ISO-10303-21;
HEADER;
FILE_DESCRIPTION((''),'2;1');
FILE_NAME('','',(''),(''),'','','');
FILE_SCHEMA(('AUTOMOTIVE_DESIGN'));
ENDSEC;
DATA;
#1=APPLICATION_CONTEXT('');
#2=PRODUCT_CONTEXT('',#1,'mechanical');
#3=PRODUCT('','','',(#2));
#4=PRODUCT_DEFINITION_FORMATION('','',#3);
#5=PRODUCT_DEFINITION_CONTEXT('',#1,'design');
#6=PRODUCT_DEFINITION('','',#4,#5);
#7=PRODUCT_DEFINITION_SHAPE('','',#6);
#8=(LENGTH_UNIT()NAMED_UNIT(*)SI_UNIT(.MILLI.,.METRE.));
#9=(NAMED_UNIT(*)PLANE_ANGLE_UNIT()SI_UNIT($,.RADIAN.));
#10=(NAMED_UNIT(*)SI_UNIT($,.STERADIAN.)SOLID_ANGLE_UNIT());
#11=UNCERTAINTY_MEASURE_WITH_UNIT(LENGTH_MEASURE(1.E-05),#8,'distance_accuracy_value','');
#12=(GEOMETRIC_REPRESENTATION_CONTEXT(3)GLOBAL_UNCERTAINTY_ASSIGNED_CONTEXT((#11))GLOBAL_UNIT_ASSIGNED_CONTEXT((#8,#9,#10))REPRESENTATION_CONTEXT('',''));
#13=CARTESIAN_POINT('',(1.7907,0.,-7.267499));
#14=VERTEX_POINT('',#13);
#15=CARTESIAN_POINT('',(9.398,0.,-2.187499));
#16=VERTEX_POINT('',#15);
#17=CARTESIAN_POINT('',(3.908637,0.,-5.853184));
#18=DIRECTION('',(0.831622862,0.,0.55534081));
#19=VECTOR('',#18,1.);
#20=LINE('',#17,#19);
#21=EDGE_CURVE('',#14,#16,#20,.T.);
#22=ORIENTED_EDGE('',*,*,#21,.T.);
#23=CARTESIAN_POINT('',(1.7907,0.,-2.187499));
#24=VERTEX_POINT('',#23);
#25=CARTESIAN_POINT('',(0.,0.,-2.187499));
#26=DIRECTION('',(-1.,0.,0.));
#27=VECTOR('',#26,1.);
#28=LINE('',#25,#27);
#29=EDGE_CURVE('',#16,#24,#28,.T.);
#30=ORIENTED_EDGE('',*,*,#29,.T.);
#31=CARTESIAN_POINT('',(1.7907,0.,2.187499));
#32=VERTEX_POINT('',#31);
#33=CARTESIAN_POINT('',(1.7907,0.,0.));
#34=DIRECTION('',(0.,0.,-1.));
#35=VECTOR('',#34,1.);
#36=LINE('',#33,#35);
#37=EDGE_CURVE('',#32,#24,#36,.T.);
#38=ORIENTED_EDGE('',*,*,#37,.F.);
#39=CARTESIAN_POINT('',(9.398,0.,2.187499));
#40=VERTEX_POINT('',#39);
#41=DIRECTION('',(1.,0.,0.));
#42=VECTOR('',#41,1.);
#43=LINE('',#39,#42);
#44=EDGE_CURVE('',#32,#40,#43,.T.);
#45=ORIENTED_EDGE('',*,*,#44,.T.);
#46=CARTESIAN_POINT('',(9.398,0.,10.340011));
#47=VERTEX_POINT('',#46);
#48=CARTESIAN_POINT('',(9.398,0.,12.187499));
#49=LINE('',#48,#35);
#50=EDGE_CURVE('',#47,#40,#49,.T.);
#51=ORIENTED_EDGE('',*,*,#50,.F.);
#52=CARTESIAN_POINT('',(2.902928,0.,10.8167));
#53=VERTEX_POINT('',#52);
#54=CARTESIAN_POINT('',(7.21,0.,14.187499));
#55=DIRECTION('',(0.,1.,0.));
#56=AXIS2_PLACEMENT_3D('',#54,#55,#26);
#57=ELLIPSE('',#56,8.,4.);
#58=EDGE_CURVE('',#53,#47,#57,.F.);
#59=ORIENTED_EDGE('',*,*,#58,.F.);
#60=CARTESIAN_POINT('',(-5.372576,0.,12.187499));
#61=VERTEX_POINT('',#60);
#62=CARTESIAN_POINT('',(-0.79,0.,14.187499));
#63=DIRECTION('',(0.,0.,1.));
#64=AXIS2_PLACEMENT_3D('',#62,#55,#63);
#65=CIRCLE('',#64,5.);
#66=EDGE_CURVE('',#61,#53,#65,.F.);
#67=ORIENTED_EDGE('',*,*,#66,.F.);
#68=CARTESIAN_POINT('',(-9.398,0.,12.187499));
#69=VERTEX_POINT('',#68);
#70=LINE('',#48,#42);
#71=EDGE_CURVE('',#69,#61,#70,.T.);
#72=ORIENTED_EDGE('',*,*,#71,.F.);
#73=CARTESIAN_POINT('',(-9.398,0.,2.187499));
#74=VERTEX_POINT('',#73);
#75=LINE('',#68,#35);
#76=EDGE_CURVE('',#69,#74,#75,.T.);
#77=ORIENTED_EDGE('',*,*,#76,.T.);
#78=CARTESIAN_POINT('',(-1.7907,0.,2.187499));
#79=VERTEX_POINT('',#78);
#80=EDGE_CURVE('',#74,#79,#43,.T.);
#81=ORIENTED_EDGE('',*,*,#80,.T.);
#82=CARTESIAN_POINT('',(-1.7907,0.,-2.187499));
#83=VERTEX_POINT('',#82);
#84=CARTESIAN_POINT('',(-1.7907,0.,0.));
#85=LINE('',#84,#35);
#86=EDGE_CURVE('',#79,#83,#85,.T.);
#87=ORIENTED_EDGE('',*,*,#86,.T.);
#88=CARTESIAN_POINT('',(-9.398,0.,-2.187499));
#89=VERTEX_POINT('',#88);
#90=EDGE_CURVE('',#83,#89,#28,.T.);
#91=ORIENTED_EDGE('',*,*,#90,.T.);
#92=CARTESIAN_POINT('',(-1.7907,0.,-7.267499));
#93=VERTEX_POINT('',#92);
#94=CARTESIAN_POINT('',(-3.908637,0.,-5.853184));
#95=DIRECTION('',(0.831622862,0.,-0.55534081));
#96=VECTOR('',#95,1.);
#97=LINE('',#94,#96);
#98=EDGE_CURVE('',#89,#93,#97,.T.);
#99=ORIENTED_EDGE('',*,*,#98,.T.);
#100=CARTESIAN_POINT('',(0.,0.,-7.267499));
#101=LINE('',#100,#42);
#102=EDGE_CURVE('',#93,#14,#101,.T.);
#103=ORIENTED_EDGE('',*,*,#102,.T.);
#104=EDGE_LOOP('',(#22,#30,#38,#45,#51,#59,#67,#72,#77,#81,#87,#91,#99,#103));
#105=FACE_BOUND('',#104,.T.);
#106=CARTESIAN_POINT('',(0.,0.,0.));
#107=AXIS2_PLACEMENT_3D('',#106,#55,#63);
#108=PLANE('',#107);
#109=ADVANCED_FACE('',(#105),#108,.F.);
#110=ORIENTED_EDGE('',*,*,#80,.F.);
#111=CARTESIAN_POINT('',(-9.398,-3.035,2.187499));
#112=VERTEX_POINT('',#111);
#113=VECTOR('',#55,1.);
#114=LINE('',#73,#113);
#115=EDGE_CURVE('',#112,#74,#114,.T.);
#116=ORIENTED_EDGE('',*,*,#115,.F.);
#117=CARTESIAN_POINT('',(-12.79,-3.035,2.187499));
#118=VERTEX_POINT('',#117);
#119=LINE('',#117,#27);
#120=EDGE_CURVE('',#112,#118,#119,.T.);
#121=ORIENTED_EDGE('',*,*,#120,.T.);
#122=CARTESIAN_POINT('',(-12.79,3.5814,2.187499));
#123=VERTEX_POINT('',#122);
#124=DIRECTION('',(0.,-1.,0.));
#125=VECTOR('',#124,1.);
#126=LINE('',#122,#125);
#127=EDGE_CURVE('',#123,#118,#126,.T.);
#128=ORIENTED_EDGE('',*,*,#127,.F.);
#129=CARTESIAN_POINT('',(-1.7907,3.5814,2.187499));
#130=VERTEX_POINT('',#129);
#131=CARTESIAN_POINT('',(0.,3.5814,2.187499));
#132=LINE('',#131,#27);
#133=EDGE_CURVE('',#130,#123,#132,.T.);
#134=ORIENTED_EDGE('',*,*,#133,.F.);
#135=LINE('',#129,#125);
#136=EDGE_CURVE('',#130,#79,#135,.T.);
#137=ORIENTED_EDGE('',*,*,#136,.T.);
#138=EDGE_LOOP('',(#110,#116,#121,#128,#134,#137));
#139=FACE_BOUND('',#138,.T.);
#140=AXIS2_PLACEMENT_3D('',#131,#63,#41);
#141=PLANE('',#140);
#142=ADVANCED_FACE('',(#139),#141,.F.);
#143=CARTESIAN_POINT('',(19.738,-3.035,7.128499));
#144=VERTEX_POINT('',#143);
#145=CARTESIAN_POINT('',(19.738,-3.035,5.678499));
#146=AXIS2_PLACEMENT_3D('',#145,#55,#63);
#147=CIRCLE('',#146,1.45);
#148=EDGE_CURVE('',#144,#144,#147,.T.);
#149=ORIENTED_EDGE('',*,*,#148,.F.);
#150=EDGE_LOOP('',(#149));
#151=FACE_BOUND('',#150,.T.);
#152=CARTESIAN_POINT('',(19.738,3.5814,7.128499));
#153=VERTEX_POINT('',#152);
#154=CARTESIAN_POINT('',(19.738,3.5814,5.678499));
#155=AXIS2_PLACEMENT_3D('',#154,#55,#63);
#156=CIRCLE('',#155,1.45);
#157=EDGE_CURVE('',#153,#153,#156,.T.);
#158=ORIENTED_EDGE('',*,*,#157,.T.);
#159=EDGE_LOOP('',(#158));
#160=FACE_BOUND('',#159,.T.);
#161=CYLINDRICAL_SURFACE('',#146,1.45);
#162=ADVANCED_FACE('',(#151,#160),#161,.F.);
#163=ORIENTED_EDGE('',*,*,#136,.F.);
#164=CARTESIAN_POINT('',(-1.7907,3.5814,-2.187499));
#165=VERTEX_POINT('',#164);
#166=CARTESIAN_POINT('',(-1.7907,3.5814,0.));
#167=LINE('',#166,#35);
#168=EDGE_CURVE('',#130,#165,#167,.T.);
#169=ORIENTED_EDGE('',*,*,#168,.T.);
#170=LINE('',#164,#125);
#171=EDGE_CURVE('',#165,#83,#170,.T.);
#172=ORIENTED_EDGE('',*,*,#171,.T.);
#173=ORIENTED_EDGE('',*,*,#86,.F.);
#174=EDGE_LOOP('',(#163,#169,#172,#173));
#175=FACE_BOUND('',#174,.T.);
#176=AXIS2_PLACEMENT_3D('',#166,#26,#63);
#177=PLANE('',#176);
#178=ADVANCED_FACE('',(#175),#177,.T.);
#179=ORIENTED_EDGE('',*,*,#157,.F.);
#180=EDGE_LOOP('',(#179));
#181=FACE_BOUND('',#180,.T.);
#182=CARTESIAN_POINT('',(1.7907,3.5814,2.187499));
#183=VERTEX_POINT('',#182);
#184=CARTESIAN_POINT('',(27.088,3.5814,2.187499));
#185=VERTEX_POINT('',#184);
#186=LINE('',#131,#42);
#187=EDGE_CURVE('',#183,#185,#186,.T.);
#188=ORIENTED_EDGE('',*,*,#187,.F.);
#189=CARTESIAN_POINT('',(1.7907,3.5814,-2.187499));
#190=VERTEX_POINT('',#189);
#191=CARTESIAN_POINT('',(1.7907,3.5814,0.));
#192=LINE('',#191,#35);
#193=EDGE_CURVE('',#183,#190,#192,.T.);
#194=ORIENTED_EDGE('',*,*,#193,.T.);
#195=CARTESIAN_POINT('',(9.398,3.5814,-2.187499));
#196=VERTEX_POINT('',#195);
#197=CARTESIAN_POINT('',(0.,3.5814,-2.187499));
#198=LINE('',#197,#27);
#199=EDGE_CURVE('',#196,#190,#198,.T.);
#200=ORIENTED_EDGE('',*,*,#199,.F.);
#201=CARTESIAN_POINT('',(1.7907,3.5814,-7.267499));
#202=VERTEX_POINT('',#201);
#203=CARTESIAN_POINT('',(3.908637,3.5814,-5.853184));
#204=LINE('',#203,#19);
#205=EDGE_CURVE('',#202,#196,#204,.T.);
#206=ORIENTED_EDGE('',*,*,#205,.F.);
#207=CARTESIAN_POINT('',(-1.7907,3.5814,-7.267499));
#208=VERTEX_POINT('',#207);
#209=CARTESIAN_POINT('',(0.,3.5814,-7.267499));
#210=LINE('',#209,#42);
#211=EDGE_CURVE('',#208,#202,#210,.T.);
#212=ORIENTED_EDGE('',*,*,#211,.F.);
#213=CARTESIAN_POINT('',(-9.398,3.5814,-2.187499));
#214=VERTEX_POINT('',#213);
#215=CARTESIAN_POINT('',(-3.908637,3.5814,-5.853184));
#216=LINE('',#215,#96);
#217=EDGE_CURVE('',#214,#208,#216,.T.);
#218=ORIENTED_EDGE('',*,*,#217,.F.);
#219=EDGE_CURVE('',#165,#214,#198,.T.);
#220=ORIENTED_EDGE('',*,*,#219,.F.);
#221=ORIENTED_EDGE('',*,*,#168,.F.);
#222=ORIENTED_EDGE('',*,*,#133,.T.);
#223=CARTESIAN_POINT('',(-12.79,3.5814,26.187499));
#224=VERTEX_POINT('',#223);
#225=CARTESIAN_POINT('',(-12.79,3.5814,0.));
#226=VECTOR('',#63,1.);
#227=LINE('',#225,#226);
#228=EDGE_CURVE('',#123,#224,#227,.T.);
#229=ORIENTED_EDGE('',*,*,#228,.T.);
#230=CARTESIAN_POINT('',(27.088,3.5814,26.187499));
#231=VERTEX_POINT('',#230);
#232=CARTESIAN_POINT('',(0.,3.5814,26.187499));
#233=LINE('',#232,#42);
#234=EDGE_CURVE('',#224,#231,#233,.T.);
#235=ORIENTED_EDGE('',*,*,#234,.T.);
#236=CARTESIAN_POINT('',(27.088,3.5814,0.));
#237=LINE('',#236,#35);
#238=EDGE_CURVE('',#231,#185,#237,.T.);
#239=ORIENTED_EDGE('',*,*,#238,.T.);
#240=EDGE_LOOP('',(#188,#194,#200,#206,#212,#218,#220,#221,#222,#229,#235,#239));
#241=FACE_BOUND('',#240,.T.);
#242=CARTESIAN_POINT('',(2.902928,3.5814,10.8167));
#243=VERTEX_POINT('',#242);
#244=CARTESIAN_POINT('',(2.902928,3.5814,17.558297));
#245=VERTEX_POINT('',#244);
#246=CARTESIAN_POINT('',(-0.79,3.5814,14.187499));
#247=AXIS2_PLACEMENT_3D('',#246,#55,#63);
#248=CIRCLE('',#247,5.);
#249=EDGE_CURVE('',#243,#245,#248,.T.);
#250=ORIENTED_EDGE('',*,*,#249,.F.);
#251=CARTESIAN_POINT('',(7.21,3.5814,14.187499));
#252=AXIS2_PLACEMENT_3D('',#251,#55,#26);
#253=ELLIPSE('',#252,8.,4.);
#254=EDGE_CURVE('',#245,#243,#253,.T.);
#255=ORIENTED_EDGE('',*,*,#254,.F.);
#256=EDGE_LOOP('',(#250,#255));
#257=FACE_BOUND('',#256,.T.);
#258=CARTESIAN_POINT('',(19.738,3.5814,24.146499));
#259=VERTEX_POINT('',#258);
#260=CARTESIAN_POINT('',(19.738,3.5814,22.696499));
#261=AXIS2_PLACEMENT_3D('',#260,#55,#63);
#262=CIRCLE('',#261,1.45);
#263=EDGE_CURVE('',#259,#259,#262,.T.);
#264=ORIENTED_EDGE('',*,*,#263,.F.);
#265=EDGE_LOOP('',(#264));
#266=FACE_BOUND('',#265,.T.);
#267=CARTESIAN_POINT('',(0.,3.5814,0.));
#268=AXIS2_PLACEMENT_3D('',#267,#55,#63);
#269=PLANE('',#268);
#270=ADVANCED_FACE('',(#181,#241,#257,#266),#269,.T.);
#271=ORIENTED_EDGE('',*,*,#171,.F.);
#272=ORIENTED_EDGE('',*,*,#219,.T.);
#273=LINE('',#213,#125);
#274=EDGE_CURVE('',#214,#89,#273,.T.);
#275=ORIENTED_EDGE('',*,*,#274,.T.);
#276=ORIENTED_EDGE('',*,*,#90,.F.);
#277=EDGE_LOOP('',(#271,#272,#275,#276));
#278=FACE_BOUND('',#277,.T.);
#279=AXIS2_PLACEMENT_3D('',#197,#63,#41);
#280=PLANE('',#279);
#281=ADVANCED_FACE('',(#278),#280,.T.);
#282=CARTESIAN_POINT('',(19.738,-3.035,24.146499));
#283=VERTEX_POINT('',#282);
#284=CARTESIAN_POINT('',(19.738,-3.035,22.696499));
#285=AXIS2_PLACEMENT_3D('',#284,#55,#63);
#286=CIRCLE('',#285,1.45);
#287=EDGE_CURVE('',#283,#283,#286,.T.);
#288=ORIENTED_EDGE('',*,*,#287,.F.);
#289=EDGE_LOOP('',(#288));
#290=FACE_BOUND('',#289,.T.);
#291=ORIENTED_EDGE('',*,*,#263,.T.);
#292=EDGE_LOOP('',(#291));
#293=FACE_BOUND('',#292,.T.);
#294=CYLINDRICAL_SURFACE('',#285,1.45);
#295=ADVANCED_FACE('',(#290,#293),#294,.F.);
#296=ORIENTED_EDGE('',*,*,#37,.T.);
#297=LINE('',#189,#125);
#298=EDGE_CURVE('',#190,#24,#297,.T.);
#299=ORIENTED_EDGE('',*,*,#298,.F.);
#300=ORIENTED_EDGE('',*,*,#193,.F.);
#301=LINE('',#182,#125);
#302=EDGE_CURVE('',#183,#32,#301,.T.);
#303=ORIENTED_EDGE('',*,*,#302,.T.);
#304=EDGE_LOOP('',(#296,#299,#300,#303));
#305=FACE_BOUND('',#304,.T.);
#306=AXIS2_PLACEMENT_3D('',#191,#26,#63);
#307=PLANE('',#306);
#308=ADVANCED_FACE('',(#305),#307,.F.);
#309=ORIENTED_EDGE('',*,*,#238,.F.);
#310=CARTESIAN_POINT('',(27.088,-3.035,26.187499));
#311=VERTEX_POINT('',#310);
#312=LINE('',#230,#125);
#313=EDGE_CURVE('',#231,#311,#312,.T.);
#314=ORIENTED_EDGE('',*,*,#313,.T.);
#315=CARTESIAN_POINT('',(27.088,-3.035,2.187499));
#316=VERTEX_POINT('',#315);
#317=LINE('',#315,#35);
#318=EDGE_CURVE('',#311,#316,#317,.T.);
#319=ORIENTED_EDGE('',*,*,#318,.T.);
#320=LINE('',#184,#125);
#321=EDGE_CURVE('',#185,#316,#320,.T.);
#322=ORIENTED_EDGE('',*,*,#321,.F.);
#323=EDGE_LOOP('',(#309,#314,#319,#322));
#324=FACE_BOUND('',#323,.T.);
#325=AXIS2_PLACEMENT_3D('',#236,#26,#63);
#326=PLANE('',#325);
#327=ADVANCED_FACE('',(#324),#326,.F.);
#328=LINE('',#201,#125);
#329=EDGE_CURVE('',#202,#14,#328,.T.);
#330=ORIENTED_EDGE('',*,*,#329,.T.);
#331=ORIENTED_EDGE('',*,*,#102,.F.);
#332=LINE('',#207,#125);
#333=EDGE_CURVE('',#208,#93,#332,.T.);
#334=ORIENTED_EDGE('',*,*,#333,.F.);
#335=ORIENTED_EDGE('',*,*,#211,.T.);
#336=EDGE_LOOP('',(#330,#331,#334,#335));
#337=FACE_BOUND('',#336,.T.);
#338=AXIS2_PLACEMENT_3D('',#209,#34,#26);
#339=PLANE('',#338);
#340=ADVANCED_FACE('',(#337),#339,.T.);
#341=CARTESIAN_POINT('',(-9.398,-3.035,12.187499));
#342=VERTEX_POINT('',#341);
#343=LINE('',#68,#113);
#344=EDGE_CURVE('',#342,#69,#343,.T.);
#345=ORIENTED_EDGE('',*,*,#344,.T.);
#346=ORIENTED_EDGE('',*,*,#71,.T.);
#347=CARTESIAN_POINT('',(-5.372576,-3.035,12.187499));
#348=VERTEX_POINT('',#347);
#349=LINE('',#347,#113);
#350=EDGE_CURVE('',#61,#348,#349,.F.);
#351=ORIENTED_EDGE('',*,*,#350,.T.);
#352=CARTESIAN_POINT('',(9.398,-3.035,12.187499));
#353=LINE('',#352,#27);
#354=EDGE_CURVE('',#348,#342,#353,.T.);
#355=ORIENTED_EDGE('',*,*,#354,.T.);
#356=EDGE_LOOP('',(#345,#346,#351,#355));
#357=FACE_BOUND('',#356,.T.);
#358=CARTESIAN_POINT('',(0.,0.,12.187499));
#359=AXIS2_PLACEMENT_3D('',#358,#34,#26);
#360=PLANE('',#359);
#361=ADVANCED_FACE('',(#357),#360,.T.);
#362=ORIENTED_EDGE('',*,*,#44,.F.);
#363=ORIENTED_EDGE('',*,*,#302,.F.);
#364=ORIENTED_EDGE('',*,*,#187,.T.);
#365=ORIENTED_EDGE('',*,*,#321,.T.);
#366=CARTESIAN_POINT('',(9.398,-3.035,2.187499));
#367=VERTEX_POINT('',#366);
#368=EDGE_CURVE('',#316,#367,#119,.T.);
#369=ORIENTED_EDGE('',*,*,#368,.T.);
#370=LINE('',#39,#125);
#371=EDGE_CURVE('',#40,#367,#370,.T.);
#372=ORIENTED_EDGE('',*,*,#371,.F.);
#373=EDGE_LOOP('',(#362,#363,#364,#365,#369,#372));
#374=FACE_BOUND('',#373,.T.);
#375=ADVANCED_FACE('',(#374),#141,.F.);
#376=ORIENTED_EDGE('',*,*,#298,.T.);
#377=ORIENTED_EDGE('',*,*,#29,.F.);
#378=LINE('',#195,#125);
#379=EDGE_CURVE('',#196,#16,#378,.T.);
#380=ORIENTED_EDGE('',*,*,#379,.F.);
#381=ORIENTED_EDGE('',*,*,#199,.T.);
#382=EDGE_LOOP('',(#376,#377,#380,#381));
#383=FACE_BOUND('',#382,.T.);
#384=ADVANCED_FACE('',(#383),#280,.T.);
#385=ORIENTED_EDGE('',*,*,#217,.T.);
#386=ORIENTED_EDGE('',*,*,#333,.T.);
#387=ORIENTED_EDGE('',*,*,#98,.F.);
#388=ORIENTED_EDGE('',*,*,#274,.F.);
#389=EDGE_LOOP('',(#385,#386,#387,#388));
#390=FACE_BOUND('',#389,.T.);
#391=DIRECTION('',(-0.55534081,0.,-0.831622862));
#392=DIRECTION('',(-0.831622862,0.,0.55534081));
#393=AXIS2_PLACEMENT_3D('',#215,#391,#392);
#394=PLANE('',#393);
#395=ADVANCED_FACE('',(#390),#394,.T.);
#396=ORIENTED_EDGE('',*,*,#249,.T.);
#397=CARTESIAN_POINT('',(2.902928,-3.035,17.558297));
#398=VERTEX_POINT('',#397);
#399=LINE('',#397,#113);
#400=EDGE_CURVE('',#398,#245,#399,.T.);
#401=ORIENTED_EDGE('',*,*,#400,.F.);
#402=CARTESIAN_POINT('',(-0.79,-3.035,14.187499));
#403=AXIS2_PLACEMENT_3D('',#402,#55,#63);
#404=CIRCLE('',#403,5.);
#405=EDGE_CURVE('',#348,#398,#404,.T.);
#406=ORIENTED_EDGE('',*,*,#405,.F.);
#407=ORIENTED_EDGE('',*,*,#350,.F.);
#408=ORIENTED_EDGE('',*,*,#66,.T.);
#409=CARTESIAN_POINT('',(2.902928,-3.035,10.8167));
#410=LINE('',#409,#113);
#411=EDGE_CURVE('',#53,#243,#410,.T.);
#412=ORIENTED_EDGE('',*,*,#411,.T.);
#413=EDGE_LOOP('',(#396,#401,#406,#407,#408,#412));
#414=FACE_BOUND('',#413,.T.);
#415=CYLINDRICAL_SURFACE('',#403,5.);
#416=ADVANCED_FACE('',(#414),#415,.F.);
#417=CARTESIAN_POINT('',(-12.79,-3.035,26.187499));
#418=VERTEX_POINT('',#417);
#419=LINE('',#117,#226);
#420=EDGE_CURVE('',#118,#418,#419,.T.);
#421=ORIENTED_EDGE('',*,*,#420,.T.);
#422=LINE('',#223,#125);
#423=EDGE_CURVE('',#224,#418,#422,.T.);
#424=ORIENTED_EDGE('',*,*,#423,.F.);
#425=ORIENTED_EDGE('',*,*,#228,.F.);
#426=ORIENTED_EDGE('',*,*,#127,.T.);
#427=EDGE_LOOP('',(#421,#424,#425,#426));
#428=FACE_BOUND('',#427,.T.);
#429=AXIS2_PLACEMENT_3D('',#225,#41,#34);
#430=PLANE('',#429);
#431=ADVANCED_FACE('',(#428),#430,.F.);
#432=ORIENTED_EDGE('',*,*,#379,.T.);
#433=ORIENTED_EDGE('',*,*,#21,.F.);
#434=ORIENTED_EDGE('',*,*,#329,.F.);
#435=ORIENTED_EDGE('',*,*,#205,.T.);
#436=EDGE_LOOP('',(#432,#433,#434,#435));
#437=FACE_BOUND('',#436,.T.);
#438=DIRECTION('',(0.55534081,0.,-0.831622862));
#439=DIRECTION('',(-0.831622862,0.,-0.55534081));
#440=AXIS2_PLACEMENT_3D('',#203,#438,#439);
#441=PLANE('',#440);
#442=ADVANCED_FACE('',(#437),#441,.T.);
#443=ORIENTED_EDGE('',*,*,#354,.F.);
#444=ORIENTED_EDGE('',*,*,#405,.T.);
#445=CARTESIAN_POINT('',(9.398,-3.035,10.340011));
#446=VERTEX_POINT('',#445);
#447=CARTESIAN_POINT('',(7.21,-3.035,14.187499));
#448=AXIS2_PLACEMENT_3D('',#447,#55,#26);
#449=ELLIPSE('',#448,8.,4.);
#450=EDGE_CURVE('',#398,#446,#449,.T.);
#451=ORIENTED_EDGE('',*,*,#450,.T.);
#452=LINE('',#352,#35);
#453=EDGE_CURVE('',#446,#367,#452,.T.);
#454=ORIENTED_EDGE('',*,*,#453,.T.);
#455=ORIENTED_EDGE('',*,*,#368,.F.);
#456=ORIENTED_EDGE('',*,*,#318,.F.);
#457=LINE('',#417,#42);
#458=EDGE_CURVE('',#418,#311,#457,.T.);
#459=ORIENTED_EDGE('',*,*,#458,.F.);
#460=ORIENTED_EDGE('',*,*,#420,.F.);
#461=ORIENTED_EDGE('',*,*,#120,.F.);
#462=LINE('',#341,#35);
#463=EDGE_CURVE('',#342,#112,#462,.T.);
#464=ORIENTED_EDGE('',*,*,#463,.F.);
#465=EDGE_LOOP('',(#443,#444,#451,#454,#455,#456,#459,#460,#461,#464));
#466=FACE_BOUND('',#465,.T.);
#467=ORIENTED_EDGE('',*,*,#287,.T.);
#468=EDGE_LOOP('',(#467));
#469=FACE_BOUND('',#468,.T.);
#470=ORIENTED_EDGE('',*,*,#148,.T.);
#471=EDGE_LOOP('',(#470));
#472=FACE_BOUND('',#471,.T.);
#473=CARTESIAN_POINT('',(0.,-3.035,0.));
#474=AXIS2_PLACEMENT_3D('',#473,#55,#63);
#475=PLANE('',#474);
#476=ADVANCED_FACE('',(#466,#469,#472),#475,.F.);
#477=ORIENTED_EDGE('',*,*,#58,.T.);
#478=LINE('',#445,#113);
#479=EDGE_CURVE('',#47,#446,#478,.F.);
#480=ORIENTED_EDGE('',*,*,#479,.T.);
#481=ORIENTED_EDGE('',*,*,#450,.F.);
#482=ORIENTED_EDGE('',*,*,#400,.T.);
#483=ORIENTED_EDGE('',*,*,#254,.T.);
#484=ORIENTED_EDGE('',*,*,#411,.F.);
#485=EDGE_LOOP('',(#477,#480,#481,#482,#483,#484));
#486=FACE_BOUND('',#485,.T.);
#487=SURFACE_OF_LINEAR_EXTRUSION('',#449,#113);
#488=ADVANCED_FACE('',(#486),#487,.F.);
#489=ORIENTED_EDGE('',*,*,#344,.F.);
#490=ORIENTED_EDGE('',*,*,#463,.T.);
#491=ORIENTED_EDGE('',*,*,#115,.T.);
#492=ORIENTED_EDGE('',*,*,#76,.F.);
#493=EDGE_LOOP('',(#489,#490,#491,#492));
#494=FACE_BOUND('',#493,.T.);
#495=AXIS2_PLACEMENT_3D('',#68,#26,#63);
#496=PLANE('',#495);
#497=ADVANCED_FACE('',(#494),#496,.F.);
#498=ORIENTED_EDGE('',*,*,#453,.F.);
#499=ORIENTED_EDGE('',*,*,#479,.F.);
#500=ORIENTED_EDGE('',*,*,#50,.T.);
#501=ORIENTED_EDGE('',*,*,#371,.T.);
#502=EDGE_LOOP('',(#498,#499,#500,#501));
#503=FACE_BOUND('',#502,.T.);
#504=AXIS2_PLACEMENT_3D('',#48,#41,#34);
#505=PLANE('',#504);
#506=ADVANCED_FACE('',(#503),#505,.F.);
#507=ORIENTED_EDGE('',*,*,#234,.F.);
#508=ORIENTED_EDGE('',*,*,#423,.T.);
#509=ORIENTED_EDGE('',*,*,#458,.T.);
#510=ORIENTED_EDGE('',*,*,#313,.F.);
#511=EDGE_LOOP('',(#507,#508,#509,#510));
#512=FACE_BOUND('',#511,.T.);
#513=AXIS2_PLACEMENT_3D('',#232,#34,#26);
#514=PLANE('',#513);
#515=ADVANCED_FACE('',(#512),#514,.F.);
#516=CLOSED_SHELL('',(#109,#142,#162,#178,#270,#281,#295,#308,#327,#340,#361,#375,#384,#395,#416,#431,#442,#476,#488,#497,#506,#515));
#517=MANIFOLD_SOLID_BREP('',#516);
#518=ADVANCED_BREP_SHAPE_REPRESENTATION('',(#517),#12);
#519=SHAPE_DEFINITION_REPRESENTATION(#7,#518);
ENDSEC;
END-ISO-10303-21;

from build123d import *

# Parameters (mm, degrees)
BOSS_EXTRUDE1_DEPTH      = 3.5814
SKETCH7_W                = 39.878
SKETCH7_H                = 24
BOSS_EXTRUDE2_DEPTH      = 3.035
BOSS_EXTRUDE2_DEPTH_BACK = 3.035
SKETCH5_R                = 5
SKETCH5_R_2              = 1.45
SKETCH5_RX               = 8
SKETCH5_RY               = 4
CUT_EXTRUDE3_DEPTH       = 1
CUT_EXTRUDE3_DEPTH_BACK  = 7.6164
SKETCH8_W                = 18.796
SKETCH8_H                = 3.035
CUT_EXTRUDE4_DEPTH       = 10


with BuildPart() as part:
    # Sketch1 → Boss-Extrude1 (new body)
    with BuildSketch(Plane(origin=(0, 0, 0), x_dir=(1, 0, 0), z_dir=(0, 1, 0))):
        Polygon((-12.79, -26.1874988), (27.088, -26.1874988), (27.088, -2.1874988), (1.7907, -2.1874988), (1.7907, 2.1874988), (9.398, 2.1874988), (1.7907, 7.2674988), (-1.7907, 7.2674988), (-9.398, 2.1874988), (-1.7907, 2.1874988), (-1.7907, -2.1874988), (-12.79, -2.1874988), align=None)
    extrude(amount=BOSS_EXTRUDE1_DEPTH)

    # Sketch7 → Boss-Extrude2 (add, two sides)
    with BuildSketch(Plane(origin=(0, 0, 0), x_dir=(1, 0, 0), z_dir=(0, 1, 0))) as boss_extrude2_sk:
        with Locations((7.149, -14.1874988)):
            Rectangle(SKETCH7_W, SKETCH7_H)
    extrude(amount=BOSS_EXTRUDE2_DEPTH)
    extrude(boss_extrude2_sk.sketch, amount=-BOSS_EXTRUDE2_DEPTH_BACK)

    # Sketch5 → Cut-Extrude3 (cut, two sides)
    with BuildSketch(Plane(origin=(0, 3.5814, 0), x_dir=(1, 0, 0), z_dir=(0, 1, 0))) as cut_extrude3_sk:
        with Locations((-0.79, -14.1874988)):
            Circle(SKETCH5_R)
        with Locations((19.738, -22.6964988)):
            Circle(SKETCH5_R_2)
        with Locations((19.738, -5.6784988)):
            Circle(SKETCH5_R_2)
        with Locations(Location((7.21, -14.1874988), (0, 0, 180))):
            Ellipse(SKETCH5_RX, SKETCH5_RY)
    extrude(amount=CUT_EXTRUDE3_DEPTH, mode=Mode.SUBTRACT)
    extrude(cut_extrude3_sk.sketch, amount=-CUT_EXTRUDE3_DEPTH_BACK, mode=Mode.SUBTRACT)

    # Sketch8 → Cut-Extrude4 (cut)
    with BuildSketch(Plane(origin=(0, 0, 2.1874988), x_dir=(-1, 0, 0), z_dir=(0, 0, -1))):
        with Locations((0, -1.5175)):
            Rectangle(SKETCH8_W, SKETCH8_H)
    extrude(amount=-CUT_EXTRUDE4_DEPTH, mode=Mode.SUBTRACT)


solid = part.part
